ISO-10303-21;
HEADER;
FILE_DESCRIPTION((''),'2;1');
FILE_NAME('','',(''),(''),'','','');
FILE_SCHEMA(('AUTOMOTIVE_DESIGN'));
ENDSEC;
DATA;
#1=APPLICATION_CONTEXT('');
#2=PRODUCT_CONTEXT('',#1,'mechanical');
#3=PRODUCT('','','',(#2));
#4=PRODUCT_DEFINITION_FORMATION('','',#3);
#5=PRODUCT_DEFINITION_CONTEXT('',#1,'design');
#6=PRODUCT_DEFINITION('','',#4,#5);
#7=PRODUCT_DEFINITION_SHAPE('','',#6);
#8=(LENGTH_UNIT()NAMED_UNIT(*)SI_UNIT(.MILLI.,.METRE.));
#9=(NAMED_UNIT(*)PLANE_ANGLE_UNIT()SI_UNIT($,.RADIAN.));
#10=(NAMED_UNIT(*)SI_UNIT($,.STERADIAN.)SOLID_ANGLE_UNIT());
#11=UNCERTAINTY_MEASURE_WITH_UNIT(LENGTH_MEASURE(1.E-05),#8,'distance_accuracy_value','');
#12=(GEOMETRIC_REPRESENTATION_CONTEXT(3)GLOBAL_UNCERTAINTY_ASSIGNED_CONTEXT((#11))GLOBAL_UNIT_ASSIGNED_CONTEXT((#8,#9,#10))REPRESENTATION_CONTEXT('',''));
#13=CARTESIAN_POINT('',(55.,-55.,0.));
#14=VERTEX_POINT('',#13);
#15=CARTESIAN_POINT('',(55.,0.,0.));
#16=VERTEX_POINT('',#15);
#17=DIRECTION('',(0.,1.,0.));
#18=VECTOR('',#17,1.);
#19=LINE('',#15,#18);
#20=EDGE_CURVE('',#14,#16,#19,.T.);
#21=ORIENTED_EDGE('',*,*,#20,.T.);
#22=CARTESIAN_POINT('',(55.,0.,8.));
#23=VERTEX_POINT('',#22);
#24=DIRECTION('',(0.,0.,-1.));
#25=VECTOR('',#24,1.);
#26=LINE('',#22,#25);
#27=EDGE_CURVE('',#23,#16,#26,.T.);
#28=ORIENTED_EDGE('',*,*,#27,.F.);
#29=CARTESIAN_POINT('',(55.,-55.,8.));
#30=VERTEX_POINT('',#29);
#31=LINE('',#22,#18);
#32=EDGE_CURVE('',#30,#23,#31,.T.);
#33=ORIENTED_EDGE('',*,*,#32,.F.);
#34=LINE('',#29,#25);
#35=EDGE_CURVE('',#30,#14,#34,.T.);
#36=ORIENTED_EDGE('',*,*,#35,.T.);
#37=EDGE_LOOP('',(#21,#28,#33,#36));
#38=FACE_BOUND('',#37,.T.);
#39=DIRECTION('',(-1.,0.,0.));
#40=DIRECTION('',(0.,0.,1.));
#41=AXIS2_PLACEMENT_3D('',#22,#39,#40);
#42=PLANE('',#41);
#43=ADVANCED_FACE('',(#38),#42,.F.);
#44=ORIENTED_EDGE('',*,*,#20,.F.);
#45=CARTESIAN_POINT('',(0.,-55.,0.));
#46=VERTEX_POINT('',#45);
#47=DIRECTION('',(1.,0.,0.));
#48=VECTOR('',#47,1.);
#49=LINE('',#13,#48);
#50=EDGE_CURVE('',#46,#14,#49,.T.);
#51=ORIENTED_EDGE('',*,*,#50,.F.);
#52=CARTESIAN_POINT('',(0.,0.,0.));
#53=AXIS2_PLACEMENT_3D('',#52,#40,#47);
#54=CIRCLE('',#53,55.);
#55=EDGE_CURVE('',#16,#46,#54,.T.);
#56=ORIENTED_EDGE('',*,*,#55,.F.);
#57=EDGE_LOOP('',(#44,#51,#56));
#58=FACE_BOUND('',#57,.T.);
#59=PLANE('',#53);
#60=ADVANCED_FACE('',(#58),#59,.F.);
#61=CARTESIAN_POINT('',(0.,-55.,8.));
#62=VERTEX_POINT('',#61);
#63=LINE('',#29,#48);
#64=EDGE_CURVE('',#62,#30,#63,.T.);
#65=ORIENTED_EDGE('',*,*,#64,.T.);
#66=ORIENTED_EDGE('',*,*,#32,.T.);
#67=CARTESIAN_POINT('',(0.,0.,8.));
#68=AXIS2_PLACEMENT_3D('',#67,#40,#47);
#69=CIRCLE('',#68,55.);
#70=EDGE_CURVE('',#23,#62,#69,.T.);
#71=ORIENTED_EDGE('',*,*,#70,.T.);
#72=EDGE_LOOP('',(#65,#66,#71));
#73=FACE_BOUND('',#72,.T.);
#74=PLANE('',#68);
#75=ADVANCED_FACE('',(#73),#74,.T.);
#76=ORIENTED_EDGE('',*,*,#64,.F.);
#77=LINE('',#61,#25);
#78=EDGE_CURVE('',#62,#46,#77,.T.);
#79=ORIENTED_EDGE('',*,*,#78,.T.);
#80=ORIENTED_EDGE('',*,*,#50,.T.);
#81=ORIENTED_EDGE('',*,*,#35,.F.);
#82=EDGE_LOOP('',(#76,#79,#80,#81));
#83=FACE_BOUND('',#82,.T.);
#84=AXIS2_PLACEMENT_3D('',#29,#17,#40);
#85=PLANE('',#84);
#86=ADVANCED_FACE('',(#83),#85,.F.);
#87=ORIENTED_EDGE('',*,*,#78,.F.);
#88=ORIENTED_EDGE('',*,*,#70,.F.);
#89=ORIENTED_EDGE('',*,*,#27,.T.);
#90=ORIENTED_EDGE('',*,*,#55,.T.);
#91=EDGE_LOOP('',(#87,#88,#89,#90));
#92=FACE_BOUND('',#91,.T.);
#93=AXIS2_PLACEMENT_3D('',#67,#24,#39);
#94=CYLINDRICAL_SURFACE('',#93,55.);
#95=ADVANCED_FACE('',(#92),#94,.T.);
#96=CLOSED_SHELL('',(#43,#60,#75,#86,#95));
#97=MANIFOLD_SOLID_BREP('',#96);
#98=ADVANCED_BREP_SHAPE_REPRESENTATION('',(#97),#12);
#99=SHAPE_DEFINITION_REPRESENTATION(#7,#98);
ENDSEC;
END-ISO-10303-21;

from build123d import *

# Parameters (mm, degrees)
BOSS_EXTRUDE1_DEPTH = 8


with BuildPart() as part:
    # Sketch1 → Boss-Extrude1 (new body)
    with BuildSketch(Plane.XY):
        with BuildLine():
            Line((55, 0), (55, -55))
            Line((55, -55), (0, -55))
            ThreePointArc((0, -55), (-38.890872965, 38.890872965), (55, 0))
        make_face()
    extrude(amount=BOSS_EXTRUDE1_DEPTH)


solid = part.part
